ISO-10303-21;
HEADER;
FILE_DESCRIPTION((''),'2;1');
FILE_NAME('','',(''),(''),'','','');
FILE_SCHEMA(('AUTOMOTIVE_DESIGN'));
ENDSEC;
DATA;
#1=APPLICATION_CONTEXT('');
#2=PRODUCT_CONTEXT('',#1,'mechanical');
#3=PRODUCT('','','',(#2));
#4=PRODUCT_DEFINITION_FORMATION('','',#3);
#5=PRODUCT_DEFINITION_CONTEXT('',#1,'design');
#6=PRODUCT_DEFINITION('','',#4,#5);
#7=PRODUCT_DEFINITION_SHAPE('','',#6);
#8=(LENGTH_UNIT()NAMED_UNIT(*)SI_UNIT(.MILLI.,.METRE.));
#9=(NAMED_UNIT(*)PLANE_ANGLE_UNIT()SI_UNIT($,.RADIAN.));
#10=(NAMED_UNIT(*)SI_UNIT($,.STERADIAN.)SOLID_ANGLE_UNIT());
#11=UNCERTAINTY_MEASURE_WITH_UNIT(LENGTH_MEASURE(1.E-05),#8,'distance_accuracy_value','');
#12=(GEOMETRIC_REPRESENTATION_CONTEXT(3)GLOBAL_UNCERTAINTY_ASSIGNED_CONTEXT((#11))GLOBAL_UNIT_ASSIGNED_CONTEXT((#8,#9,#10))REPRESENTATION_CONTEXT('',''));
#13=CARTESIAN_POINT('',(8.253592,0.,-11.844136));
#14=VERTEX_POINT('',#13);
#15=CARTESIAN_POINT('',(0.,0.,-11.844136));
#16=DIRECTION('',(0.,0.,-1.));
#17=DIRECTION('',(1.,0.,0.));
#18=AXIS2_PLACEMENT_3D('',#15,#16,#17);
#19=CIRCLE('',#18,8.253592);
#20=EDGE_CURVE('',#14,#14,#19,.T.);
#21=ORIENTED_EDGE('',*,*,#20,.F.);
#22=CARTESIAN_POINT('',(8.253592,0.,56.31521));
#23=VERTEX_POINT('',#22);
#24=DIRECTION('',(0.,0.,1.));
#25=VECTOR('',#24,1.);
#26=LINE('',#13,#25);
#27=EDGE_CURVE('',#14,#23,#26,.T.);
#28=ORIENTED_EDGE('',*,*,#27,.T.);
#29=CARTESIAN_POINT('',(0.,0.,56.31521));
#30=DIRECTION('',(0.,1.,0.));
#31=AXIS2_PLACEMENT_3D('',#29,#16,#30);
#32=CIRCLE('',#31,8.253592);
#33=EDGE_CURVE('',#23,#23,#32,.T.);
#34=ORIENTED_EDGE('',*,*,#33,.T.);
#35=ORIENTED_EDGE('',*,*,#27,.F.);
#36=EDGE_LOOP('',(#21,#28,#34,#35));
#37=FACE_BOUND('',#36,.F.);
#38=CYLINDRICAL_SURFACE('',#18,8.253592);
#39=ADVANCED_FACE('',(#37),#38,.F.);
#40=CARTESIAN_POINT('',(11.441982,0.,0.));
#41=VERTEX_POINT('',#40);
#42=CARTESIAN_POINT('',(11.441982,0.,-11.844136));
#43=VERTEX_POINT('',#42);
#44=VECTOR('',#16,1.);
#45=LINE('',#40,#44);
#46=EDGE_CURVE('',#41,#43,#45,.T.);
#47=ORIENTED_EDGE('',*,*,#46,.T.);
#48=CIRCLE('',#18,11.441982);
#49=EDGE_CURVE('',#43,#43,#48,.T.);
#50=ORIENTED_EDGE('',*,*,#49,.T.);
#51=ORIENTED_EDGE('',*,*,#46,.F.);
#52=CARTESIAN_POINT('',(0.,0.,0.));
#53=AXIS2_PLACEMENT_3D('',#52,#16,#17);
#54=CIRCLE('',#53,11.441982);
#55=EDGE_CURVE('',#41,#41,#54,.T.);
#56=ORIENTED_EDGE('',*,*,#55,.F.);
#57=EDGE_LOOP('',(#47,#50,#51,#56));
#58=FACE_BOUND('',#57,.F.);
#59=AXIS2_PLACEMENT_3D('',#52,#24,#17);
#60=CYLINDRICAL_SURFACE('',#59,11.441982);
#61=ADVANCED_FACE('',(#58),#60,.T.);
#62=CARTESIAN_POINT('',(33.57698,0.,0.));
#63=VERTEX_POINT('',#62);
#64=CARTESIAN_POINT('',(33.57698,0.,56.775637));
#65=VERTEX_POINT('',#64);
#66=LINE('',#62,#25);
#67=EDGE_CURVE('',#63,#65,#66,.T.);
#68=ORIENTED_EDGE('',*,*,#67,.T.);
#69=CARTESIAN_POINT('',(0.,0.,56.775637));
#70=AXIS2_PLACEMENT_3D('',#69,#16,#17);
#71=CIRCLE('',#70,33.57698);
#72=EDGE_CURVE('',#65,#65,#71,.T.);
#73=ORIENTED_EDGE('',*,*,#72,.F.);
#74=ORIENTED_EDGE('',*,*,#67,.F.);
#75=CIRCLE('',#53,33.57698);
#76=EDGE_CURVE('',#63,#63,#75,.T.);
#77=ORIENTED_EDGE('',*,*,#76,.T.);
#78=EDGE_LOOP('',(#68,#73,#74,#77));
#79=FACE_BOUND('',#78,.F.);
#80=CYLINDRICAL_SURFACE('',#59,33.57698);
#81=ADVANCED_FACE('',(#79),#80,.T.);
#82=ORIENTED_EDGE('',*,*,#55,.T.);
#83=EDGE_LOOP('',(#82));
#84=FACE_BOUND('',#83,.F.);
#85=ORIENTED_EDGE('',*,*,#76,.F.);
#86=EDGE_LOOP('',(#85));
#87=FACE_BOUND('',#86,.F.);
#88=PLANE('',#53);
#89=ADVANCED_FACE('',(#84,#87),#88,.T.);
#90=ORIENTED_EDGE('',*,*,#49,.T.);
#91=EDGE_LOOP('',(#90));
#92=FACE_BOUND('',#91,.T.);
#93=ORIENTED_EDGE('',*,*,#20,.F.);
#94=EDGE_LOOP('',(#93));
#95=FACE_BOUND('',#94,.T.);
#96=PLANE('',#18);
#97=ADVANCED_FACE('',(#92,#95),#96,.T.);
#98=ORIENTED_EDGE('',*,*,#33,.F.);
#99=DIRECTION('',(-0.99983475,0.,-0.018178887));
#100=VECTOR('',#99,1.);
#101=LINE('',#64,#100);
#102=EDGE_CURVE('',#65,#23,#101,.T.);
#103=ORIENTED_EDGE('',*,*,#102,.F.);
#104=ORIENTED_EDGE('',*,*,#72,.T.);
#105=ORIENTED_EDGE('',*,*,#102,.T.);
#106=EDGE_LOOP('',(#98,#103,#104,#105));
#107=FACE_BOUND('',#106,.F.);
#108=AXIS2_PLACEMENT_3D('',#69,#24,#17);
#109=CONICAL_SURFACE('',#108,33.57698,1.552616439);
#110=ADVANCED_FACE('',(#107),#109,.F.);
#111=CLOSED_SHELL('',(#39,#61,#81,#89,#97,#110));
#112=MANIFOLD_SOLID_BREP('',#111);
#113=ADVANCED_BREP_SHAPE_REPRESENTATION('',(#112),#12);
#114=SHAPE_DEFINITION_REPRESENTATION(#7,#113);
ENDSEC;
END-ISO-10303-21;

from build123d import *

# Parameters (mm, degrees)
F2_R     = 11.441982
F3_DEPTH = 11.844136
F4_R     = 8.253592
F5_DEPTH = 104.953468


with BuildPart() as f1:
    # F0 (on Front) → F1 (revolve)
    with BuildSketch(Plane.XZ):
        Polygon((33.57698, 56.775637), (0, 56.165144), (0, 0), (33.57698, 0), align=None)
    revolve(axis=Axis((0, 0, 28.082572), (0, 0, -1)))

    # F2 (on face) → F3 (join)
    with BuildSketch(Plane(origin=(0, 0, 0), x_dir=(1, 0, 0), z_dir=(0, 0, -1))):
        Circle(F2_R)
    extrude(amount=F3_DEPTH)

    # F4 (on face) → F5 (cut)
    with BuildSketch(Plane(origin=(0, 0, -11.844136), x_dir=(1, 0, 0), z_dir=(0, 0, -1))):
        Circle(F4_R)
    extrude(amount=-F5_DEPTH, mode=Mode.SUBTRACT)


solid = f1.part
